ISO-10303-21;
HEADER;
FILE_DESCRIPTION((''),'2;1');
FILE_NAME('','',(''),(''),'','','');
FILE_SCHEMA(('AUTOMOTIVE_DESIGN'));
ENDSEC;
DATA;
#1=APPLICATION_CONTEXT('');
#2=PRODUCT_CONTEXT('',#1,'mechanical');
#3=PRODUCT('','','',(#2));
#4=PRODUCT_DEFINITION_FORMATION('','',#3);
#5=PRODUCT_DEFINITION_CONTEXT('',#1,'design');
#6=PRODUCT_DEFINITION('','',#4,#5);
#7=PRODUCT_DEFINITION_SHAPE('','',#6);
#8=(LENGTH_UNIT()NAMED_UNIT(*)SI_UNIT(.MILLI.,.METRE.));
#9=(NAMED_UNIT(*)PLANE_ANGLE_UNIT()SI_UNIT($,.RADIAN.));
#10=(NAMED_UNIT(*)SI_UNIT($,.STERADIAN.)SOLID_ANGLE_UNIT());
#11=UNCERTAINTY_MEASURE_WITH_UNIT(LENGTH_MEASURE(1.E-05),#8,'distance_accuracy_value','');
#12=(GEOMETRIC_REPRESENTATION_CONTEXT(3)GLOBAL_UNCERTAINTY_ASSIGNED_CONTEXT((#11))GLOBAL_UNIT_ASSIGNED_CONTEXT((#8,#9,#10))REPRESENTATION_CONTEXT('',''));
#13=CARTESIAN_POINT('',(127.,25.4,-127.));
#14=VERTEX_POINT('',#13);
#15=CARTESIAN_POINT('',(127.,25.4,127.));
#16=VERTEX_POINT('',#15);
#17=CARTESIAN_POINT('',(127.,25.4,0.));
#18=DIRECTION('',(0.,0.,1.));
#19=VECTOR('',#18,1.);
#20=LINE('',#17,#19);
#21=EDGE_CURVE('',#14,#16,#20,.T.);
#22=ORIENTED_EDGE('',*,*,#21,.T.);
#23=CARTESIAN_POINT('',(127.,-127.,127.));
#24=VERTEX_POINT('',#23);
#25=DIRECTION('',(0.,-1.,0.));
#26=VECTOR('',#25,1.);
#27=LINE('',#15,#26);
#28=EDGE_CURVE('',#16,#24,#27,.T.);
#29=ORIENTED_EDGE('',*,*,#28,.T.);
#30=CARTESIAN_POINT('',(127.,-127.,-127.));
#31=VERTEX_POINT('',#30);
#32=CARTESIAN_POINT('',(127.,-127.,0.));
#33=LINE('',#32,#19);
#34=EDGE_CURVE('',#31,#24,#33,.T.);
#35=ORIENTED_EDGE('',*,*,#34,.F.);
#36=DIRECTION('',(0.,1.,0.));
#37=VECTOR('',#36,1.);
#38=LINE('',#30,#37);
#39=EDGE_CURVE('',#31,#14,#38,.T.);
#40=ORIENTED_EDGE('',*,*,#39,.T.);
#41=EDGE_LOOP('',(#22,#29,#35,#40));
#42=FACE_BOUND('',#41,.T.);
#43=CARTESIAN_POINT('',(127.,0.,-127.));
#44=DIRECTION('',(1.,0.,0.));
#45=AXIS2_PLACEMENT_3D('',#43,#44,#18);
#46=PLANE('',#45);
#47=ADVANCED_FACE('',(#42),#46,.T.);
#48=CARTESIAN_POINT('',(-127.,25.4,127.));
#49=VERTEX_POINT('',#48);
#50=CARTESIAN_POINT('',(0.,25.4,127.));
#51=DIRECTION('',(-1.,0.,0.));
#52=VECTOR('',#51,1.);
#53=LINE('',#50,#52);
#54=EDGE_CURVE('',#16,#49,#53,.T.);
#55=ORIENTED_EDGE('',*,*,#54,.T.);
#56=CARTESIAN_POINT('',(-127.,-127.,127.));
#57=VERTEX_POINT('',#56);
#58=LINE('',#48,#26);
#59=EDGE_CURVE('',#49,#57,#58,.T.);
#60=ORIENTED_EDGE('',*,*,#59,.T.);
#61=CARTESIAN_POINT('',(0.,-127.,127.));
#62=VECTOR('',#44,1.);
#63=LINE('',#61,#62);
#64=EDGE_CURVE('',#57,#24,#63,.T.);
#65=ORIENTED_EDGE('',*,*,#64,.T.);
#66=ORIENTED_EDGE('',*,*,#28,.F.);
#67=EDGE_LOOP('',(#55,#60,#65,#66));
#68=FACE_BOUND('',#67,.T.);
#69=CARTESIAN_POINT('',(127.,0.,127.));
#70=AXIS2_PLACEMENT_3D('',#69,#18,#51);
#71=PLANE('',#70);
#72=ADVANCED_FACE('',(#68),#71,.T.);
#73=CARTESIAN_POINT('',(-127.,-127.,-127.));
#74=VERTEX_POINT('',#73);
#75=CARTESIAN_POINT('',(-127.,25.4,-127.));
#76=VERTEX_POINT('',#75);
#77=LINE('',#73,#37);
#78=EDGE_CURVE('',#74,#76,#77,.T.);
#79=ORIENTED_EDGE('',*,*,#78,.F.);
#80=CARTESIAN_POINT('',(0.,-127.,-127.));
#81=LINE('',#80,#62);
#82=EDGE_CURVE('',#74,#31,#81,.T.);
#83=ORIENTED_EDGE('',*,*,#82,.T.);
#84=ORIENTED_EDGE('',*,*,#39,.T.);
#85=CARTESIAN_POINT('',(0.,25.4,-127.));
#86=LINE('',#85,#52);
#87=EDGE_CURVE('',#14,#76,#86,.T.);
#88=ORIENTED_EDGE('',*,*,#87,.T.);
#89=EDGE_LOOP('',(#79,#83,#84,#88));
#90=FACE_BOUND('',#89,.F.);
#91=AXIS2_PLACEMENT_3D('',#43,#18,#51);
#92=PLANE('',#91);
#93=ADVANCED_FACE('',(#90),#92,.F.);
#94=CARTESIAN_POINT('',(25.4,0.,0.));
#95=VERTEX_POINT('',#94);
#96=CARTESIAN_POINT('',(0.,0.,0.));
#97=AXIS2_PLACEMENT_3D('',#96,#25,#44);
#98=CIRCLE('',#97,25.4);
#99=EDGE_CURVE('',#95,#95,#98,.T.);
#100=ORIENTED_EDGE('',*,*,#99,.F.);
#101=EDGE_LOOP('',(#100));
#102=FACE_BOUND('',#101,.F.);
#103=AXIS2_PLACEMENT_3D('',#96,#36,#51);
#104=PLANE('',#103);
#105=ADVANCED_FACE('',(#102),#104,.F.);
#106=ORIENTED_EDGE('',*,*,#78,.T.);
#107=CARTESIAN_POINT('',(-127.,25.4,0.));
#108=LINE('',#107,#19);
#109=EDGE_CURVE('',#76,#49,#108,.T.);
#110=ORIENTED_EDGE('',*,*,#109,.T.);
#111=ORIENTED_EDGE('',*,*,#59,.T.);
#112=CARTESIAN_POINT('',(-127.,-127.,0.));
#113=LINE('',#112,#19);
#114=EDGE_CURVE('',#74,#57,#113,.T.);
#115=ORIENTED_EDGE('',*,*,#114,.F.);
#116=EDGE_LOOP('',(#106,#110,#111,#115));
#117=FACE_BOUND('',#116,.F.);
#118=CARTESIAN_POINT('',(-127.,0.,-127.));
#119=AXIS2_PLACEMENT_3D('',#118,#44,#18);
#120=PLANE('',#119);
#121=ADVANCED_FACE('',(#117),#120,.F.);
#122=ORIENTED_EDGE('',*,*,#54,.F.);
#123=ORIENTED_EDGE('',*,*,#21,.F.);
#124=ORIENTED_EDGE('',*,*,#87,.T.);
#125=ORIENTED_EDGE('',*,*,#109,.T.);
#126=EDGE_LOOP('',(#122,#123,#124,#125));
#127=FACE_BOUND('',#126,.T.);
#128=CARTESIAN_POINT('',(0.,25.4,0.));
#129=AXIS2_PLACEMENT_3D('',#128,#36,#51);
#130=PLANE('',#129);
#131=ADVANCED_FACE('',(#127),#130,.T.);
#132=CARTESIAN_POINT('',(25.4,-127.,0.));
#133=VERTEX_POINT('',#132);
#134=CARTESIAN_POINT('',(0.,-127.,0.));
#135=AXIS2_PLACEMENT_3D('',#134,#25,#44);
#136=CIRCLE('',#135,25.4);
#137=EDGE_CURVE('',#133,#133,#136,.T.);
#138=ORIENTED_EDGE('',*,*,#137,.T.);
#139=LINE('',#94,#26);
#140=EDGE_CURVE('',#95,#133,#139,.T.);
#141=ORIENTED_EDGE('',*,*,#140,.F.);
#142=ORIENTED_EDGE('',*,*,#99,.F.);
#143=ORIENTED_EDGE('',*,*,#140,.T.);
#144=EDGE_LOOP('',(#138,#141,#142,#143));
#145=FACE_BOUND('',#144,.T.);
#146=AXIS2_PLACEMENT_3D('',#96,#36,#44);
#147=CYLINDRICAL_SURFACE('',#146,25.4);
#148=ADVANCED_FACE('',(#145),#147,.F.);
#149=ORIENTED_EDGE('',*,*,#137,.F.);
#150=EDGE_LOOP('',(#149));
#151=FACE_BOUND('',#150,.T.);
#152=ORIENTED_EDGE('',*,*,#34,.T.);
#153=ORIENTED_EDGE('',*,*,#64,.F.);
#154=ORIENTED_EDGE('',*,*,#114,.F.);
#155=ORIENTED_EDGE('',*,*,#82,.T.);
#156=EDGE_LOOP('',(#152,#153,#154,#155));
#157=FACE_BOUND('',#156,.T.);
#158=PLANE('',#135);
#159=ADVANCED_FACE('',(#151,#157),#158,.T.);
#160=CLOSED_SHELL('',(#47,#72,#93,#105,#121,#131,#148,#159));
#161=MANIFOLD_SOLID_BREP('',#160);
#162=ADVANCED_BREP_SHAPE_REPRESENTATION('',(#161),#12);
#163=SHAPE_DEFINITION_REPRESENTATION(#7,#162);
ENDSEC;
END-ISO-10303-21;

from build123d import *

# Parameters (mm, degrees)
F0_W     = 254
F0_H     = 254
F0_R     = 25.4
F1_DEPTH = 127
F2_W     = 254
F2_H     = 254
F3_DEPTH = 25.4


with BuildPart() as f1:
    # F0 (on Front) → F1 (new body)
    with BuildSketch(Plane.XZ):
        Rectangle(F0_W, F0_H)
        Circle(F0_R, mode=Mode.SUBTRACT)
    extrude(amount=F1_DEPTH)

    # F2 (on face) → F3 (join)
    with BuildSketch(Plane(origin=(0, 0, 0), x_dir=(-1, 0, 0), z_dir=(0, 1, 0))):
        Rectangle(F2_W, F2_H)
    extrude(amount=F3_DEPTH)


solid = f1.part
